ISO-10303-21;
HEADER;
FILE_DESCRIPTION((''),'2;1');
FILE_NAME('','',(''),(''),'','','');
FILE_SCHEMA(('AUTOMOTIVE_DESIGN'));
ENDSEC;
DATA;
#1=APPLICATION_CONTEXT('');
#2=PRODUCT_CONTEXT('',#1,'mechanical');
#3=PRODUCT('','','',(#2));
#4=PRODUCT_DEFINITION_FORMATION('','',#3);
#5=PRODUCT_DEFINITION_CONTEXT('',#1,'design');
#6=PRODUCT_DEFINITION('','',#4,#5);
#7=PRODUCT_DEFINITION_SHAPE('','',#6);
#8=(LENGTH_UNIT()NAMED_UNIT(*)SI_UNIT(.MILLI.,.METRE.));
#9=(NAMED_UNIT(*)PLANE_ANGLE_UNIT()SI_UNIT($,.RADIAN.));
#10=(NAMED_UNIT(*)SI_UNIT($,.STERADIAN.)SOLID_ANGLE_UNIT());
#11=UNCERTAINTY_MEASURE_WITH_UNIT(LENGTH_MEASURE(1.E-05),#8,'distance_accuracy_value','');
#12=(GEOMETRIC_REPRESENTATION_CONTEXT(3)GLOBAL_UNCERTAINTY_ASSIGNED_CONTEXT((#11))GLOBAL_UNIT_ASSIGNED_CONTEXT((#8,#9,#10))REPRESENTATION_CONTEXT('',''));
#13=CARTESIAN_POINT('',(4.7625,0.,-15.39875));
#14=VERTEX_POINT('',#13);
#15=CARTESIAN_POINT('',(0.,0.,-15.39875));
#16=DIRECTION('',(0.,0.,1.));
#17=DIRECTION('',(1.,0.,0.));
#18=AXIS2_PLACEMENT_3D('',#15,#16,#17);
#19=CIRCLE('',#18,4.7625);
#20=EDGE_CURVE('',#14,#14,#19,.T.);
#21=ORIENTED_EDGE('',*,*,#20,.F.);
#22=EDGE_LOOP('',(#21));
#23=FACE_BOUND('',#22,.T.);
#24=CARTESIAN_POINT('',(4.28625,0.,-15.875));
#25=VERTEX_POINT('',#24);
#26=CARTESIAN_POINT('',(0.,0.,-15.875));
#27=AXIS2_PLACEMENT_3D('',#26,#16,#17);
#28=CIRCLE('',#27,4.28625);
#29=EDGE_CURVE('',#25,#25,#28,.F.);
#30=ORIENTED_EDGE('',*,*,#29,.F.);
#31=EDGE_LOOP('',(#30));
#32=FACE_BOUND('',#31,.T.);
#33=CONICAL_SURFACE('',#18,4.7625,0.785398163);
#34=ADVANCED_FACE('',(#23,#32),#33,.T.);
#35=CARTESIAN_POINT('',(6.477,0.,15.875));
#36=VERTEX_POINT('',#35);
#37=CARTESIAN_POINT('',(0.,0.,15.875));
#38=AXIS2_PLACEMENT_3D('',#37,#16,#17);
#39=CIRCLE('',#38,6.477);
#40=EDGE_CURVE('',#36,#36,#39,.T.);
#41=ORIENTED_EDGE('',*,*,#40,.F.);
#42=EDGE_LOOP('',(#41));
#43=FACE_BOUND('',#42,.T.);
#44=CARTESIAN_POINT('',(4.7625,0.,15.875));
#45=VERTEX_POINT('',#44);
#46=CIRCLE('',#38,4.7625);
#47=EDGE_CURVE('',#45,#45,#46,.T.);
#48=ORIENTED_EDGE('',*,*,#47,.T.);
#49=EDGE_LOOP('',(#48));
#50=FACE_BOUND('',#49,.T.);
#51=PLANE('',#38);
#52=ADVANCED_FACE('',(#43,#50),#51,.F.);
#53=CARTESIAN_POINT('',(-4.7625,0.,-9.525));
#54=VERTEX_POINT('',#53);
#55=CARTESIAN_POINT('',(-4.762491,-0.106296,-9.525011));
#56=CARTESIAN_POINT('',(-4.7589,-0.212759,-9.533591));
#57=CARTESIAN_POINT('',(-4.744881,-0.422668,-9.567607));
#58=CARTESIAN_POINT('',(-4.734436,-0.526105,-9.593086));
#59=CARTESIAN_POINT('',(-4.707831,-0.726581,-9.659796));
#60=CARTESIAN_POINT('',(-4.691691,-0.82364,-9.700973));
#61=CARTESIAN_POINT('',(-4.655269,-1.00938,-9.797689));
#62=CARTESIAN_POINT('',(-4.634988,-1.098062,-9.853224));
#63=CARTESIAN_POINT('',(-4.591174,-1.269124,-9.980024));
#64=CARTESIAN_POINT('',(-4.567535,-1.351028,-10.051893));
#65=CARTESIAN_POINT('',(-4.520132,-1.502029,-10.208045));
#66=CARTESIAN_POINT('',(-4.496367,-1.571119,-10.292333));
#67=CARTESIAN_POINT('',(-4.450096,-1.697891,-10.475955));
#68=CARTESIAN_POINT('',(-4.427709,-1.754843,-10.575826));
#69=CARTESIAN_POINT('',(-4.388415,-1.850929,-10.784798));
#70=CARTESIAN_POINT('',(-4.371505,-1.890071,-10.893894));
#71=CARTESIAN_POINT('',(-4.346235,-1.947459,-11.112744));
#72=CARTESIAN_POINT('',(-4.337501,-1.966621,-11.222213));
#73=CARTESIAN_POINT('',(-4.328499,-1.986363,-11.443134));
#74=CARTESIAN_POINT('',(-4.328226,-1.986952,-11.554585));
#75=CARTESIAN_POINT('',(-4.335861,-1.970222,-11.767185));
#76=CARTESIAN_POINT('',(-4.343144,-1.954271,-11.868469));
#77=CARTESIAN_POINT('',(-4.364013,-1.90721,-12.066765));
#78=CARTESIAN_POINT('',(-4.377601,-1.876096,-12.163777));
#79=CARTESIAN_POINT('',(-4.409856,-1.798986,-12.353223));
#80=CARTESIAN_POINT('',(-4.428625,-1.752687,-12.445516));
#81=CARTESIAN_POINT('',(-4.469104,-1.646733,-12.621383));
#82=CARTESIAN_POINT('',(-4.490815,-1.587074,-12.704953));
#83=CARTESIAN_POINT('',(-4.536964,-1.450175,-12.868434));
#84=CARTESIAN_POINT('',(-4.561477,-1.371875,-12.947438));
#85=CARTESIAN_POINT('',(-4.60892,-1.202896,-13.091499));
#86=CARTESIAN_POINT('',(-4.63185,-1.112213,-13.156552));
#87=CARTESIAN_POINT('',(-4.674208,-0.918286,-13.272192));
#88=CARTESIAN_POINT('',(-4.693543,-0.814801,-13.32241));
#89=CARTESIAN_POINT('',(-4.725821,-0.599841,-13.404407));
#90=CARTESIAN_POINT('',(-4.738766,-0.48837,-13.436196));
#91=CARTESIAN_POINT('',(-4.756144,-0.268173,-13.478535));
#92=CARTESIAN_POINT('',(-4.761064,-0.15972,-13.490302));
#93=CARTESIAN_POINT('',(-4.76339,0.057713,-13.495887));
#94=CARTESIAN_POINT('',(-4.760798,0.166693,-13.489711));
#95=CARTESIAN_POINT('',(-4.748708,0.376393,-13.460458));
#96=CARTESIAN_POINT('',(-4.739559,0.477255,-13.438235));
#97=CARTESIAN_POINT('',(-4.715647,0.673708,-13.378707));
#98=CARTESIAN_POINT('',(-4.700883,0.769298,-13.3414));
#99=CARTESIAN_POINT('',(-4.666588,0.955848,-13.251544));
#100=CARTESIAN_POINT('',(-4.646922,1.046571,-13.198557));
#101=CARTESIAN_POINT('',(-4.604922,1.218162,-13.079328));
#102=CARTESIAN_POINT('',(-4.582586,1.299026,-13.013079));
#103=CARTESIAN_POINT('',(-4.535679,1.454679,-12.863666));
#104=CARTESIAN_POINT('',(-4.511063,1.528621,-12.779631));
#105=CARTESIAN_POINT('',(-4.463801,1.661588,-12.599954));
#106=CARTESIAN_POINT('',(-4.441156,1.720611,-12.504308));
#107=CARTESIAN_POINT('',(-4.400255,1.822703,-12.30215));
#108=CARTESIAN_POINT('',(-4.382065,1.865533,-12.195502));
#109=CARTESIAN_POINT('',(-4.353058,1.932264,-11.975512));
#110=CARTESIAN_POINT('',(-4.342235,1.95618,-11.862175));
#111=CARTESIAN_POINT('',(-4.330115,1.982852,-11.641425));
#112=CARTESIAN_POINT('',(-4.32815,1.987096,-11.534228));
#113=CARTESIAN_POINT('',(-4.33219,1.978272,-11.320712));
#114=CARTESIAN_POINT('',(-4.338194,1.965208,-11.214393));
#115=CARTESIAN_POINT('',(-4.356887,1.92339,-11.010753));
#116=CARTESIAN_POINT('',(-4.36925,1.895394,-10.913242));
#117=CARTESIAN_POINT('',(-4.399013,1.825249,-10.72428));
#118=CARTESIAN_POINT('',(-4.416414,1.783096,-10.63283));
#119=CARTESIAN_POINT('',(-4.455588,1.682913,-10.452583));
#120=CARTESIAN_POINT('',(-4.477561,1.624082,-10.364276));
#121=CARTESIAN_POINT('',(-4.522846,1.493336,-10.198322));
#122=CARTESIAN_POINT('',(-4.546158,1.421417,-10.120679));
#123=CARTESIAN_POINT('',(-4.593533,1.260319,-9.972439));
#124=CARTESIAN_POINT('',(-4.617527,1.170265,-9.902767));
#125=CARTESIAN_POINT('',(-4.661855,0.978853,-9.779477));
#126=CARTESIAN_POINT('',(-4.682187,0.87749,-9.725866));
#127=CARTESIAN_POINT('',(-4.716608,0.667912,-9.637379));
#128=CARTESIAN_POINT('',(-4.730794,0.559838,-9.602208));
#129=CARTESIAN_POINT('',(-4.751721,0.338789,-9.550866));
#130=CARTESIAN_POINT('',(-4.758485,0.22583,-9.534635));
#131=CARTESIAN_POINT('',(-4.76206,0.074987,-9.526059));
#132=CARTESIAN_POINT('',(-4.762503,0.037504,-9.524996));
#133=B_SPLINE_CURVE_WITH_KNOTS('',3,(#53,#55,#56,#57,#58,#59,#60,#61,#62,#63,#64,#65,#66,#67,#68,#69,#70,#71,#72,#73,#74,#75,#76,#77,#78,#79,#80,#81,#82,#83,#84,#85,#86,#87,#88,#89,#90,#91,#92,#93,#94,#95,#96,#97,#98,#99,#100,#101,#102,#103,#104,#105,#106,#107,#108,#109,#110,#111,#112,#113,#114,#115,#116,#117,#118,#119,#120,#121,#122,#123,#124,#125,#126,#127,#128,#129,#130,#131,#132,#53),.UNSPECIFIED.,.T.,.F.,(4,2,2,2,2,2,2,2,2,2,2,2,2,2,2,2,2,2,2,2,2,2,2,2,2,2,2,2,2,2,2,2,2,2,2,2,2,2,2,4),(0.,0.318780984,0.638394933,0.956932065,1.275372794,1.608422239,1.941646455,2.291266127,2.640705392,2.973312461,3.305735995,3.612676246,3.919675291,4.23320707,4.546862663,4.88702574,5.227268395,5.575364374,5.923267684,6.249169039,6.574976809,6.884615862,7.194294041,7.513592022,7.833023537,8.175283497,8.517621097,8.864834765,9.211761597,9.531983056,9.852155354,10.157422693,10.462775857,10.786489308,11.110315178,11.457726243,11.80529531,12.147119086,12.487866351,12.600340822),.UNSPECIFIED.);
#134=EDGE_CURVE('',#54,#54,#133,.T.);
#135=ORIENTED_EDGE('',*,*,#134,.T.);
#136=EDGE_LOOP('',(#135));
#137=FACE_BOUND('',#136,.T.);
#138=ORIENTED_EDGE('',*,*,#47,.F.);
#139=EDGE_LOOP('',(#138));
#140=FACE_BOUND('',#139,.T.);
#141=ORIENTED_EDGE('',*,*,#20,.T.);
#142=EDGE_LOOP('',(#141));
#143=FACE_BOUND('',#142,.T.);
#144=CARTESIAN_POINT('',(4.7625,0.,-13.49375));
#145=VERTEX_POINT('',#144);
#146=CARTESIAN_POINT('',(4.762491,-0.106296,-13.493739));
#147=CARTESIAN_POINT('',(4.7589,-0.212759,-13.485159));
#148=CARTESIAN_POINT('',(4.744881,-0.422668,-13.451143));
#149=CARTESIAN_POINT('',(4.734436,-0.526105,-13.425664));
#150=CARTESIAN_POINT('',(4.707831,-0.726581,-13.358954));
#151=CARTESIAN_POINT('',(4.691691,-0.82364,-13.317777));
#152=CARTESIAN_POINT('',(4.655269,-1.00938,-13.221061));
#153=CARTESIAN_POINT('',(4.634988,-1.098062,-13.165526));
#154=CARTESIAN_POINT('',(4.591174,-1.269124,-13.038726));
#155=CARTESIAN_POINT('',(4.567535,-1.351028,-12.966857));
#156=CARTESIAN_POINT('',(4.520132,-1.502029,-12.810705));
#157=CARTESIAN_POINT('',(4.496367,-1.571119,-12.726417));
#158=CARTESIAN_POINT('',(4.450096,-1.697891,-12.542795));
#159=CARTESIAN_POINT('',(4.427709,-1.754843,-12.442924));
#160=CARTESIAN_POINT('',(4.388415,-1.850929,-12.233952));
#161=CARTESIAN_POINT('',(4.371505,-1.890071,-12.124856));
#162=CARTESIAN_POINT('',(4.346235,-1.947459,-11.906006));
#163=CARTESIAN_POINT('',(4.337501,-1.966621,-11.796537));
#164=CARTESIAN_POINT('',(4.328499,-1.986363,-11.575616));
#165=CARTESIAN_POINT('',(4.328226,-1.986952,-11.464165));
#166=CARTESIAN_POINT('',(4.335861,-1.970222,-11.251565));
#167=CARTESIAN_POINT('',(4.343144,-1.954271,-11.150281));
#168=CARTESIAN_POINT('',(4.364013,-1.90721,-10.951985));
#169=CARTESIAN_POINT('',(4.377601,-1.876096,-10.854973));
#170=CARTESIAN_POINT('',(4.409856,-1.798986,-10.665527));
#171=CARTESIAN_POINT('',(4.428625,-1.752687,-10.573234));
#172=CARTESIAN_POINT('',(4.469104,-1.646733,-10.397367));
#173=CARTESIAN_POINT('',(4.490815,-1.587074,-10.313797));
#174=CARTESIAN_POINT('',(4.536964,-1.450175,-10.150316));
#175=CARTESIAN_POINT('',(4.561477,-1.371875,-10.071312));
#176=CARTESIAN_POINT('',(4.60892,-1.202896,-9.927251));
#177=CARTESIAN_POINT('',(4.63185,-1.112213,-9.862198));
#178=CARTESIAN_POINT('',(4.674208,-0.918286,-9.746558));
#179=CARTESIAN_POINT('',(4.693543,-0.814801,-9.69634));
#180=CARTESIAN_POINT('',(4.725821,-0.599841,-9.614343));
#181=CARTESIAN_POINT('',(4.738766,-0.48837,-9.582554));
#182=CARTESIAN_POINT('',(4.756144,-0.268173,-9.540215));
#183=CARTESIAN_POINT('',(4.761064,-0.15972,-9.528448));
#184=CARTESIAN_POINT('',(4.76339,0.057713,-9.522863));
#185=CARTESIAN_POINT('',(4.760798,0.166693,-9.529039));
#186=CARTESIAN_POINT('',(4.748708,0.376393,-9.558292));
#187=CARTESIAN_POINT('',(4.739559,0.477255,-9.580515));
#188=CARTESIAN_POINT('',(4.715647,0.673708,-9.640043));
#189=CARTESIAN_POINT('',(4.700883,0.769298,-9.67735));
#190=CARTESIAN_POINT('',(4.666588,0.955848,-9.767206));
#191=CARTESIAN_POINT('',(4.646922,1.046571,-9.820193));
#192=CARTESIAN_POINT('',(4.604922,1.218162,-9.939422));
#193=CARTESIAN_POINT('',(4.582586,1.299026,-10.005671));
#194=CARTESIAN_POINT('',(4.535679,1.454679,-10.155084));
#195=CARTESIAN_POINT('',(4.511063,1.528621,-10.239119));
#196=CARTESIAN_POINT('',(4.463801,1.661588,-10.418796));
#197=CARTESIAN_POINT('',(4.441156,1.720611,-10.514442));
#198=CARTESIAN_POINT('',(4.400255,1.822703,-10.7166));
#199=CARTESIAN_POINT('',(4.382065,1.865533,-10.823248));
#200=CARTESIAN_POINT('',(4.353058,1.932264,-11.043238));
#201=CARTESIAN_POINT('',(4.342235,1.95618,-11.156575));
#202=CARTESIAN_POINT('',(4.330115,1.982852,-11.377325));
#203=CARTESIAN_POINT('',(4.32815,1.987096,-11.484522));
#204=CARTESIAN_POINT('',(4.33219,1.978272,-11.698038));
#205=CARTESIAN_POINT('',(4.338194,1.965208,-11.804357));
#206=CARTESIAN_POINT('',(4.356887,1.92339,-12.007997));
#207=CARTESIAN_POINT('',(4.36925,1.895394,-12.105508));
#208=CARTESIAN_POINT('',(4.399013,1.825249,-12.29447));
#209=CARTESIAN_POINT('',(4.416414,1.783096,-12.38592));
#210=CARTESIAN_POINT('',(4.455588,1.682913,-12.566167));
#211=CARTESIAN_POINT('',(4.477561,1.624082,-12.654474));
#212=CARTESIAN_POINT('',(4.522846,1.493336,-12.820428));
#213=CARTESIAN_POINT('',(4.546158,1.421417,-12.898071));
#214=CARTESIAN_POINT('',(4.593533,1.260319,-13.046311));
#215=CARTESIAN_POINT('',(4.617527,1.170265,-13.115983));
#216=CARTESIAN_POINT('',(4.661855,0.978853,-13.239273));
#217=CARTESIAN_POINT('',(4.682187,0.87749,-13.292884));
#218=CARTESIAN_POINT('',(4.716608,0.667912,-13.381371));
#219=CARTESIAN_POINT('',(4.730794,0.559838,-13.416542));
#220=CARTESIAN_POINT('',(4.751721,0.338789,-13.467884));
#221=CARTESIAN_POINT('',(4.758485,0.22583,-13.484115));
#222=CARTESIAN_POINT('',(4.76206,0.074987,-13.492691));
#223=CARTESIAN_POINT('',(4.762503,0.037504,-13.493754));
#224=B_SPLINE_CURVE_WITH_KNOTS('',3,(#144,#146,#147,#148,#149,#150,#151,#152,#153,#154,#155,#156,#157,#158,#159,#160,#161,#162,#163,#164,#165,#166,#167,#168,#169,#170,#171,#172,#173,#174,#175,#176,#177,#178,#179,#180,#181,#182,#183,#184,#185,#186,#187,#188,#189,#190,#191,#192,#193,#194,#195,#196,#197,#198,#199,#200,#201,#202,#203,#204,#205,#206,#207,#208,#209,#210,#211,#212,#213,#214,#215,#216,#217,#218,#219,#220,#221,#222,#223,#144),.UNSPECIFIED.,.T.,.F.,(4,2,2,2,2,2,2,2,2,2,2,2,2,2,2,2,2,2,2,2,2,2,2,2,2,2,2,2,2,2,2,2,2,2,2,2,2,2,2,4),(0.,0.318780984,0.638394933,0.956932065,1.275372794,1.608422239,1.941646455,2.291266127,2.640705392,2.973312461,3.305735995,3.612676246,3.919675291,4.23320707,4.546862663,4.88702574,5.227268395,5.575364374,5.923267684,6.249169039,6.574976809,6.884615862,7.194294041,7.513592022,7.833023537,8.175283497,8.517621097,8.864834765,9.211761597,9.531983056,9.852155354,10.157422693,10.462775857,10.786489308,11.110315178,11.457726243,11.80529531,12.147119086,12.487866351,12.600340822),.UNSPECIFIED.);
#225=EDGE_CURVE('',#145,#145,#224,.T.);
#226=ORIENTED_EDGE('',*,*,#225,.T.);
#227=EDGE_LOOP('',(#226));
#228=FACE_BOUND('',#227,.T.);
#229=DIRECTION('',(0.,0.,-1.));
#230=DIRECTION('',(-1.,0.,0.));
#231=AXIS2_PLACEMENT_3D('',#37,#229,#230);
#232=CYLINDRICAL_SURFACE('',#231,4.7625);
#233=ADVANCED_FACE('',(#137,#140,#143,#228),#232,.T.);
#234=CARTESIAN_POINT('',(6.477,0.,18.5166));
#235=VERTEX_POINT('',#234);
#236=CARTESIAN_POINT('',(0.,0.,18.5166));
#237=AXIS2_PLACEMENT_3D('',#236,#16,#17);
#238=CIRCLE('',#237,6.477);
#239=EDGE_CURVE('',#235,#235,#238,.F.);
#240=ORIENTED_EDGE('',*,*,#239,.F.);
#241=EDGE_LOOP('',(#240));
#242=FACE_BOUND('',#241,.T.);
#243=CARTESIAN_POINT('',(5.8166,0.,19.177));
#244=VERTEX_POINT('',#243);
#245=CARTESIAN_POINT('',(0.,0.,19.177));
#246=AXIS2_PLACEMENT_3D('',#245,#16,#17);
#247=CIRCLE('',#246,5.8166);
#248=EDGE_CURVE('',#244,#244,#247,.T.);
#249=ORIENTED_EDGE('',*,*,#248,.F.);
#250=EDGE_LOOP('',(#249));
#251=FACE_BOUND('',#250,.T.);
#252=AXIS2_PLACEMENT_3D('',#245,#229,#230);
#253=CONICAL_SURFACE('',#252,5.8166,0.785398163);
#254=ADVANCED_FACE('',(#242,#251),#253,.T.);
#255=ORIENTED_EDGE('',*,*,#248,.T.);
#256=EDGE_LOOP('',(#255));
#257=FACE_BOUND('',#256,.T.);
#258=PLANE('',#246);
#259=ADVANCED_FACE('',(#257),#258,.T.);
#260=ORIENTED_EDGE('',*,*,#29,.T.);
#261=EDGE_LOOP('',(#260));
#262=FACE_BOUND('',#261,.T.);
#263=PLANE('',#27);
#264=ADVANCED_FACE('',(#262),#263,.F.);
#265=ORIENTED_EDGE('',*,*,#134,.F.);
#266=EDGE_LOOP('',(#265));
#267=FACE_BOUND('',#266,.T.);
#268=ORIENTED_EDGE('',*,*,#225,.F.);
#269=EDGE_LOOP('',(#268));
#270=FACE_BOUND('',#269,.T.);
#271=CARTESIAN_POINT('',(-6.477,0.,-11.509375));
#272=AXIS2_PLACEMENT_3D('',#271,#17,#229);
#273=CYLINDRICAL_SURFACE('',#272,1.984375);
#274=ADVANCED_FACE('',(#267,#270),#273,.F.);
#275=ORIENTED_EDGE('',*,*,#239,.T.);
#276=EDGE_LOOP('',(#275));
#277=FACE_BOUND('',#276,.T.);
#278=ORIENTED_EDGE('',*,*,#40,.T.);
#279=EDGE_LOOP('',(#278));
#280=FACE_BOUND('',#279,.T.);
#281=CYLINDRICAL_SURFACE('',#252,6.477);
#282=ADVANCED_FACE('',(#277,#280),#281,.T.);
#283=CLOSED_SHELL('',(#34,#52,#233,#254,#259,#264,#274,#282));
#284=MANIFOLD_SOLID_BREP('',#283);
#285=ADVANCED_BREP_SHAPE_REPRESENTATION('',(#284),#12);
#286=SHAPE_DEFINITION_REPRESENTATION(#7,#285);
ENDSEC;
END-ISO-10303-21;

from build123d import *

# Parameters (mm, degrees)
SKETCH1_R           = 4.7625
EXTRUDE1_DEPTH      = 15.875
SKETCH2_R           = 6.477
EXTRUDE2_DEPTH      = 3.302
CHAMFER1_SIZE       = 0.6604
SKETCH3_R           = 1.984375
EXTRUDE3_DEPTH      = 7.477
EXTRUDE3_DEPTH_BACK = 7.477
CHAMFER2_SIZE       = 0.47625


with BuildPart() as part:
    # Sketch1 → Extrude1 (new body, symmetric)
    with BuildSketch(Plane.XY):
        Circle(SKETCH1_R)
    extrude(amount=EXTRUDE1_DEPTH, both=True)

    # Sketch2 → Extrude2 (add)
    with BuildSketch(Plane.XY.offset(15.875)):
        Circle(SKETCH2_R)
    extrude(amount=EXTRUDE2_DEPTH)

    # Chamfer1
    chamfer1_edges = [part.edges().sort_by_distance(p)[0] for p in [
        (-6.477, 0, 19.177),
    ]]
    chamfer(chamfer1_edges, length=CHAMFER1_SIZE)

    # Sketch3 → Extrude3 (cut, two sides)
    with BuildSketch(Plane(origin=(0, 0, 0), x_dir=(0, 0, -1), z_dir=(1, 0, 0))) as extrude3_sk:
        with Locations((11.509375, 0)):
            Circle(SKETCH3_R)
    extrude(amount=EXTRUDE3_DEPTH, mode=Mode.SUBTRACT)
    extrude(extrude3_sk.sketch, amount=-EXTRUDE3_DEPTH_BACK, mode=Mode.SUBTRACT)

    # Chamfer2
    chamfer2_edges = [part.edges().sort_by_distance(p)[0] for p in [
        (-4.7625, 0, -15.875),
    ]]
    chamfer(chamfer2_edges, length=CHAMFER2_SIZE)


solid = part.part
